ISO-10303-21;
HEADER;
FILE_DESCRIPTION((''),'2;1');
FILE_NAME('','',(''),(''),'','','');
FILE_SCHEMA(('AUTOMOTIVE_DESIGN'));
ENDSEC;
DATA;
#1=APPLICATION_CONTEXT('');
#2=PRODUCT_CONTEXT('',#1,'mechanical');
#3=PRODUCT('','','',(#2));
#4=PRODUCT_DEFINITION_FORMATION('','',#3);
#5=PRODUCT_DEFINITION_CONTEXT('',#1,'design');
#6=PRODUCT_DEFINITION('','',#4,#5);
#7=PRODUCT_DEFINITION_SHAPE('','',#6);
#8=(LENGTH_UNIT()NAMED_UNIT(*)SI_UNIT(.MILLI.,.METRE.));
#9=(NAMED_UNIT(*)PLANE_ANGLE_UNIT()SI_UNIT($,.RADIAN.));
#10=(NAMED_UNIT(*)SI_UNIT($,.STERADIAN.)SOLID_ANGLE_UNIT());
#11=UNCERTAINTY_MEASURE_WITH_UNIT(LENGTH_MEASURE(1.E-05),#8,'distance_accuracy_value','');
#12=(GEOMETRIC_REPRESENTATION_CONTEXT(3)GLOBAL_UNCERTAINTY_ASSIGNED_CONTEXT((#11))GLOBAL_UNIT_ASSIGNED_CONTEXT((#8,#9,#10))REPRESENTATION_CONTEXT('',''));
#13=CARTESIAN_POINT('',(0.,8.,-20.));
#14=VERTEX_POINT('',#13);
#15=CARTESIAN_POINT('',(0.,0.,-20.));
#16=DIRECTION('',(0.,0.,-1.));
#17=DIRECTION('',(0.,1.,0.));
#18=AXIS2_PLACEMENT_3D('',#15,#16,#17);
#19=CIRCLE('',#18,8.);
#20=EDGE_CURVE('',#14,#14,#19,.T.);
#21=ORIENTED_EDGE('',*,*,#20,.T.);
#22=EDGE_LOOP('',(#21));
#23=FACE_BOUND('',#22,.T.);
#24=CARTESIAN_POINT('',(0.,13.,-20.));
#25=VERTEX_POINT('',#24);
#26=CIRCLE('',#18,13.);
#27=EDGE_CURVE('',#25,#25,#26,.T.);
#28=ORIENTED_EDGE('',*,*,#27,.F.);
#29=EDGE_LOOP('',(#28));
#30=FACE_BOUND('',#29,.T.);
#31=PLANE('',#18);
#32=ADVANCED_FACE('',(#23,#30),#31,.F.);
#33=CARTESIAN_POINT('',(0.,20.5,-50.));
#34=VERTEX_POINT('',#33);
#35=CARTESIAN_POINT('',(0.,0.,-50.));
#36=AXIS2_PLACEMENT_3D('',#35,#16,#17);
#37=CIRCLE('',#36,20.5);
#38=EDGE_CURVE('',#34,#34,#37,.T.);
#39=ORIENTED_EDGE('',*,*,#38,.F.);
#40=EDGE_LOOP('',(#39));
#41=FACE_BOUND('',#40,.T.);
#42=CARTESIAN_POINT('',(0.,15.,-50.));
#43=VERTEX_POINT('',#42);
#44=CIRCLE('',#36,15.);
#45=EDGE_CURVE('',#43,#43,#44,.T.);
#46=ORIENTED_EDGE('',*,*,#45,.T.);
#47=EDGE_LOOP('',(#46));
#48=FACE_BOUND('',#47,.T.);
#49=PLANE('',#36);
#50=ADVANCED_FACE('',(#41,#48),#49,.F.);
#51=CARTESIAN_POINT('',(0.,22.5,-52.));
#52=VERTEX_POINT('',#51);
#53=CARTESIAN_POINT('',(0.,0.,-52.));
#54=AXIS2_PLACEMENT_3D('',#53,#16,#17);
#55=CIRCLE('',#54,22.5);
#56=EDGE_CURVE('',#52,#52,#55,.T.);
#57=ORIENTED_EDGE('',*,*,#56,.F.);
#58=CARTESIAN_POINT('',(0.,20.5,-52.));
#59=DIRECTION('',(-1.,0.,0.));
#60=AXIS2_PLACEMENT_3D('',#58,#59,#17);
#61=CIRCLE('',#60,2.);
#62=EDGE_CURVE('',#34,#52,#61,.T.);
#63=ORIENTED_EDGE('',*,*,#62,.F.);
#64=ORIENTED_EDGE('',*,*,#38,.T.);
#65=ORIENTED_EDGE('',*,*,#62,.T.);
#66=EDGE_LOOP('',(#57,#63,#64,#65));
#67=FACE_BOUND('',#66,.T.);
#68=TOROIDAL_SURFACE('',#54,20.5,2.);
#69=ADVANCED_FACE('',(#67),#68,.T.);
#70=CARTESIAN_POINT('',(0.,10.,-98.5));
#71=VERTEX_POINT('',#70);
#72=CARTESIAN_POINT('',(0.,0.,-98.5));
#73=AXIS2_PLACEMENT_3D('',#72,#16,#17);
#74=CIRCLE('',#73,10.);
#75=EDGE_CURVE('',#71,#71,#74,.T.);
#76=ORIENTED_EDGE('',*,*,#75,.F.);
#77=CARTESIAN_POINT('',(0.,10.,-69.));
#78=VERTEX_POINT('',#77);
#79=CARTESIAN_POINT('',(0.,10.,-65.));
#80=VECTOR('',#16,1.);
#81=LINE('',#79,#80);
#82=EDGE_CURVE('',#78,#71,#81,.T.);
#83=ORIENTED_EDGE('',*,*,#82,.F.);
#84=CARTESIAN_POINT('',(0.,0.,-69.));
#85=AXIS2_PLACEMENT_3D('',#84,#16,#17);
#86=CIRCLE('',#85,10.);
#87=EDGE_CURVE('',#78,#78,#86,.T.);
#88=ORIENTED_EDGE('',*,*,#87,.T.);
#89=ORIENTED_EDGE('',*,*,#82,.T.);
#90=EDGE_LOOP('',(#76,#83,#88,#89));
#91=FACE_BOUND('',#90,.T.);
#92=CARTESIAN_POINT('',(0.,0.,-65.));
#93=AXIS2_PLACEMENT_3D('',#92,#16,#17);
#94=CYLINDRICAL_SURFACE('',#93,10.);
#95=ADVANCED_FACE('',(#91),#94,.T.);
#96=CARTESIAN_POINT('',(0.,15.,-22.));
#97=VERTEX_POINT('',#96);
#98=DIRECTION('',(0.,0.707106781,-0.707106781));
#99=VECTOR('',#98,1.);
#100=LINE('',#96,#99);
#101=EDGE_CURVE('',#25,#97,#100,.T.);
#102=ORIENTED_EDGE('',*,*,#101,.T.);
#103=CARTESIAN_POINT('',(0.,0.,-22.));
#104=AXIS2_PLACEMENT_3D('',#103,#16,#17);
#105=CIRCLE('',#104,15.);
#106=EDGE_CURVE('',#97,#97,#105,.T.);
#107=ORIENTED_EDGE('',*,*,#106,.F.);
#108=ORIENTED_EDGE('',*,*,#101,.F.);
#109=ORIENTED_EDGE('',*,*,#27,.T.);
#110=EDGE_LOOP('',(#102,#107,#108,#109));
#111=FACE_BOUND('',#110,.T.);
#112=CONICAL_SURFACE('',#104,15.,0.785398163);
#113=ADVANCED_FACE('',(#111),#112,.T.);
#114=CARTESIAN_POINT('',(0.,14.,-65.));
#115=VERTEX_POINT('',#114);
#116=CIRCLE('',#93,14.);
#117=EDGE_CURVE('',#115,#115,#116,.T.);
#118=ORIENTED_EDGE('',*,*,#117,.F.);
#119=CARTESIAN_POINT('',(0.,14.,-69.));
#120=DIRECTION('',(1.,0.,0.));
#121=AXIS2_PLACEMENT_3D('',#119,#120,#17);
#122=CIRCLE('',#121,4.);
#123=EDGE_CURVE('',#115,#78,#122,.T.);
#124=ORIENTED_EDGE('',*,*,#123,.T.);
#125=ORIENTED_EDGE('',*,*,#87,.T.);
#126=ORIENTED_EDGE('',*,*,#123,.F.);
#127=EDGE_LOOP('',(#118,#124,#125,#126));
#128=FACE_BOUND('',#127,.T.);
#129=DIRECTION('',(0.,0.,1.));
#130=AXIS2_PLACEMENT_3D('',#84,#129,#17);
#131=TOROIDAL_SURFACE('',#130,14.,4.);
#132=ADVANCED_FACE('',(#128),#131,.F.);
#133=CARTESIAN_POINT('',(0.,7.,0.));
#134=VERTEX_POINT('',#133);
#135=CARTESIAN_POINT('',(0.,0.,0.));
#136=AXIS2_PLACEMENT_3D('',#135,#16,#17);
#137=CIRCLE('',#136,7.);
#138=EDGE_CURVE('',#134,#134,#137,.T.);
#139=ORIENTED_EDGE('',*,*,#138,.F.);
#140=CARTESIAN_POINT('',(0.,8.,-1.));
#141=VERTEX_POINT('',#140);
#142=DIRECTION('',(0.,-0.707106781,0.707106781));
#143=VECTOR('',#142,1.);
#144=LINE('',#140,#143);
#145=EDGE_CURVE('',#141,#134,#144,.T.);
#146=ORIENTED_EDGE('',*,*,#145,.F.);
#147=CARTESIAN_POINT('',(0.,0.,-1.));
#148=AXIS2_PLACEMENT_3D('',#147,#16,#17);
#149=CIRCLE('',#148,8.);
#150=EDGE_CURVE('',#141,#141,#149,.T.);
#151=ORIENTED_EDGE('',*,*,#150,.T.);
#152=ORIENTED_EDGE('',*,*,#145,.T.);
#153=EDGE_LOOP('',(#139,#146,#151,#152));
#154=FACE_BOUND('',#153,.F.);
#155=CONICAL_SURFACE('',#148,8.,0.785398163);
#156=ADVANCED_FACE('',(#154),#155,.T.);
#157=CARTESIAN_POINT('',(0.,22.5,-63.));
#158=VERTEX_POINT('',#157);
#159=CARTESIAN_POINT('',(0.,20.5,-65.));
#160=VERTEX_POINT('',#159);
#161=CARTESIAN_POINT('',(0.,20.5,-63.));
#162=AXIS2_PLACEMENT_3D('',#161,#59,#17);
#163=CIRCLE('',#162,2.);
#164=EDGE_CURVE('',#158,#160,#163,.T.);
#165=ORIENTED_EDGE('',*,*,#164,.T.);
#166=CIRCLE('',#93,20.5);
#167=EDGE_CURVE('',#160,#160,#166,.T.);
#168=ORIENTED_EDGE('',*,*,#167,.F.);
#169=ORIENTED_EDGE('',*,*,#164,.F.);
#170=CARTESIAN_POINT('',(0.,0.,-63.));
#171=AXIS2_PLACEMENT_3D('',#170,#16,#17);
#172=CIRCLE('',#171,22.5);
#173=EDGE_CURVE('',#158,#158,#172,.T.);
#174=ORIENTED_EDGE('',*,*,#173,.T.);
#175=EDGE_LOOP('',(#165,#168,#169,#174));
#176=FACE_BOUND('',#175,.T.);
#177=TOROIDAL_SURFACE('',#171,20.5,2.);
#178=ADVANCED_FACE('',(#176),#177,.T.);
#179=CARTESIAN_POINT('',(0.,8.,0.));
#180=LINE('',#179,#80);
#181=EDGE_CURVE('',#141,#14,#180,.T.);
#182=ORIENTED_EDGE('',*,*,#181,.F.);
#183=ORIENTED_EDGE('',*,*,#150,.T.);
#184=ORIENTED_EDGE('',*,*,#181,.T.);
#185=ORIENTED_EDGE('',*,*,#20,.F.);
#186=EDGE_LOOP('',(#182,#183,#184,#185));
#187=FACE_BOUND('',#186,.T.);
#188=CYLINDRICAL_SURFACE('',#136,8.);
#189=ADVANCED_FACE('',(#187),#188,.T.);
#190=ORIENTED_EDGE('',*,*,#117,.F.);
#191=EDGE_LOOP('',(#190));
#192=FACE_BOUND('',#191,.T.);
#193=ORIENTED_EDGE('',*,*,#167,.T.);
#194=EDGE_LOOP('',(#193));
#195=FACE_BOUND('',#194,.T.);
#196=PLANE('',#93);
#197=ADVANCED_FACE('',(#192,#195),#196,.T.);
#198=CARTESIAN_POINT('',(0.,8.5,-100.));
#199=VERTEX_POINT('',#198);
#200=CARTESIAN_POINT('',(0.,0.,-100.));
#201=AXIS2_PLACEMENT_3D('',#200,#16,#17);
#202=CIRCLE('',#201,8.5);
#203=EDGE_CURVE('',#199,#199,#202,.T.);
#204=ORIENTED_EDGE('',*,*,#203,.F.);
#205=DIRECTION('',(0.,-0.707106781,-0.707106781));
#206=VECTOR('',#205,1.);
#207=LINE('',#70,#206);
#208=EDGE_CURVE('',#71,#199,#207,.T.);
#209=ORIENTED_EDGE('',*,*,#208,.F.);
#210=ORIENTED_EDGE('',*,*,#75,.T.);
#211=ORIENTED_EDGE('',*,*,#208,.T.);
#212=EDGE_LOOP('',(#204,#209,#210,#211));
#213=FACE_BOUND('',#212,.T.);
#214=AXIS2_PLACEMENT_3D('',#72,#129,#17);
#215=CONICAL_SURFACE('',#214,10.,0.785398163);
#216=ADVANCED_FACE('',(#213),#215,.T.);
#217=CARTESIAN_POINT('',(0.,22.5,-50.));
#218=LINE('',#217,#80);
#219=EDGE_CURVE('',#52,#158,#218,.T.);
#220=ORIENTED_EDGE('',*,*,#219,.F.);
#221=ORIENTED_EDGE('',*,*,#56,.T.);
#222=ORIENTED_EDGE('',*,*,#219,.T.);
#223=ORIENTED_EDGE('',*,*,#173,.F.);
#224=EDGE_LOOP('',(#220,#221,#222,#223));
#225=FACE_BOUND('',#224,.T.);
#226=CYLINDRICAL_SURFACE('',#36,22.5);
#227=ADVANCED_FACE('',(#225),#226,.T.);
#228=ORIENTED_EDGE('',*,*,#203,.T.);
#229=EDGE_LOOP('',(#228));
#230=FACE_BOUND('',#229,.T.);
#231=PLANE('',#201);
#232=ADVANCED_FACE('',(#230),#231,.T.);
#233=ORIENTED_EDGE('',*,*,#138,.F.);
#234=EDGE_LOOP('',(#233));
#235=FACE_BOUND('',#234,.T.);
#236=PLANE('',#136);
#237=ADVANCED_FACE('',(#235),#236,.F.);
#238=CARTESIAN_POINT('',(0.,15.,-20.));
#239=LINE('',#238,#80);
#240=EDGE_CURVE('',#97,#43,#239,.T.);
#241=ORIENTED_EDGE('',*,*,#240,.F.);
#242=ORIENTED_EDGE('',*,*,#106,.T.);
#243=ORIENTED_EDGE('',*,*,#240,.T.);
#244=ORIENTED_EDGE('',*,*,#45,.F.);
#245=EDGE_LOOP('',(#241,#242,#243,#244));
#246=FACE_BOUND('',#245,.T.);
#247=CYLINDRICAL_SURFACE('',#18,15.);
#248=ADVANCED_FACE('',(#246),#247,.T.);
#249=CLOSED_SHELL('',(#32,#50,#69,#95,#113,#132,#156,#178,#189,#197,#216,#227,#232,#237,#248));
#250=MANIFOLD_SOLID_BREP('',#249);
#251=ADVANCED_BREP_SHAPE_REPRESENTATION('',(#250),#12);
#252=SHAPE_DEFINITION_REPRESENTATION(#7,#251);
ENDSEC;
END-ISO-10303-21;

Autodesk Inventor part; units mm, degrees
ref_plane "YZ Plane" through (0, 0, 0) normal (1, 0, 0) x (0, 1, 0)
ref_plane "XZ Plane" through (0, 0, 0) normal (0, 1, 0) x (-1, 0, 0)
ref_plane "XY Plane" through (0, 0, 0) normal (0, 0, 1) x (1, 0, 0)
sketch "Sketch1" plane through (0, 0, 0) normal (1, 0, 0) x (0, 1, 0)
  line L0 (0, 0) -> (0, -100)
  line L1 (0, 0) -> (8, 0)
  line L2 (8, 0) -> (8, -20)
  line L3 (8, -20) -> (15, -20)
  line L4 (15, -20) -> (15, -50)
  line L5 (15, -50) -> (22.5, -50)
  line L6 (22.5, -50) -> (22.5, -65)
  line L7 (22.5, -65) -> (10, -65)
  line L8 (10, -65) -> (10, -100)
  line L9 (10, -100) -> (0, -100)
  dimension "d0" = 100
  dimension "d1" = 8
  dimension "d2" = 20
  dimension "d3" = 7
  dimension "d4" = 30
  dimension "d5" = 7.5
  dimension "d6" = 15
  dimension "d7" = 12.5
revolve "Revolution1" add sketch "Sketch1" angle 360 about axis through (0, 0, 0) along (0, 0, -1)
chamfer "Chamfer1" distance 2 angle 45 1 edges at (0, -15, -20)
chamfer "Chamfer2" distance 1 angle 45 1 edges at (0, -8, 0)
fillet "Fillet1" radius 2 1 edges at (0, -22.5, -50)
fillet "Fillet2" radius 2 1 edges at (0, -22.5, -65)
fillet "Fillet3" radius 4 1 edges at (0, -10, -65)
chamfer "Chamfer3" distance 1.5 angle 45 1 edges at (0, -10, -100)
